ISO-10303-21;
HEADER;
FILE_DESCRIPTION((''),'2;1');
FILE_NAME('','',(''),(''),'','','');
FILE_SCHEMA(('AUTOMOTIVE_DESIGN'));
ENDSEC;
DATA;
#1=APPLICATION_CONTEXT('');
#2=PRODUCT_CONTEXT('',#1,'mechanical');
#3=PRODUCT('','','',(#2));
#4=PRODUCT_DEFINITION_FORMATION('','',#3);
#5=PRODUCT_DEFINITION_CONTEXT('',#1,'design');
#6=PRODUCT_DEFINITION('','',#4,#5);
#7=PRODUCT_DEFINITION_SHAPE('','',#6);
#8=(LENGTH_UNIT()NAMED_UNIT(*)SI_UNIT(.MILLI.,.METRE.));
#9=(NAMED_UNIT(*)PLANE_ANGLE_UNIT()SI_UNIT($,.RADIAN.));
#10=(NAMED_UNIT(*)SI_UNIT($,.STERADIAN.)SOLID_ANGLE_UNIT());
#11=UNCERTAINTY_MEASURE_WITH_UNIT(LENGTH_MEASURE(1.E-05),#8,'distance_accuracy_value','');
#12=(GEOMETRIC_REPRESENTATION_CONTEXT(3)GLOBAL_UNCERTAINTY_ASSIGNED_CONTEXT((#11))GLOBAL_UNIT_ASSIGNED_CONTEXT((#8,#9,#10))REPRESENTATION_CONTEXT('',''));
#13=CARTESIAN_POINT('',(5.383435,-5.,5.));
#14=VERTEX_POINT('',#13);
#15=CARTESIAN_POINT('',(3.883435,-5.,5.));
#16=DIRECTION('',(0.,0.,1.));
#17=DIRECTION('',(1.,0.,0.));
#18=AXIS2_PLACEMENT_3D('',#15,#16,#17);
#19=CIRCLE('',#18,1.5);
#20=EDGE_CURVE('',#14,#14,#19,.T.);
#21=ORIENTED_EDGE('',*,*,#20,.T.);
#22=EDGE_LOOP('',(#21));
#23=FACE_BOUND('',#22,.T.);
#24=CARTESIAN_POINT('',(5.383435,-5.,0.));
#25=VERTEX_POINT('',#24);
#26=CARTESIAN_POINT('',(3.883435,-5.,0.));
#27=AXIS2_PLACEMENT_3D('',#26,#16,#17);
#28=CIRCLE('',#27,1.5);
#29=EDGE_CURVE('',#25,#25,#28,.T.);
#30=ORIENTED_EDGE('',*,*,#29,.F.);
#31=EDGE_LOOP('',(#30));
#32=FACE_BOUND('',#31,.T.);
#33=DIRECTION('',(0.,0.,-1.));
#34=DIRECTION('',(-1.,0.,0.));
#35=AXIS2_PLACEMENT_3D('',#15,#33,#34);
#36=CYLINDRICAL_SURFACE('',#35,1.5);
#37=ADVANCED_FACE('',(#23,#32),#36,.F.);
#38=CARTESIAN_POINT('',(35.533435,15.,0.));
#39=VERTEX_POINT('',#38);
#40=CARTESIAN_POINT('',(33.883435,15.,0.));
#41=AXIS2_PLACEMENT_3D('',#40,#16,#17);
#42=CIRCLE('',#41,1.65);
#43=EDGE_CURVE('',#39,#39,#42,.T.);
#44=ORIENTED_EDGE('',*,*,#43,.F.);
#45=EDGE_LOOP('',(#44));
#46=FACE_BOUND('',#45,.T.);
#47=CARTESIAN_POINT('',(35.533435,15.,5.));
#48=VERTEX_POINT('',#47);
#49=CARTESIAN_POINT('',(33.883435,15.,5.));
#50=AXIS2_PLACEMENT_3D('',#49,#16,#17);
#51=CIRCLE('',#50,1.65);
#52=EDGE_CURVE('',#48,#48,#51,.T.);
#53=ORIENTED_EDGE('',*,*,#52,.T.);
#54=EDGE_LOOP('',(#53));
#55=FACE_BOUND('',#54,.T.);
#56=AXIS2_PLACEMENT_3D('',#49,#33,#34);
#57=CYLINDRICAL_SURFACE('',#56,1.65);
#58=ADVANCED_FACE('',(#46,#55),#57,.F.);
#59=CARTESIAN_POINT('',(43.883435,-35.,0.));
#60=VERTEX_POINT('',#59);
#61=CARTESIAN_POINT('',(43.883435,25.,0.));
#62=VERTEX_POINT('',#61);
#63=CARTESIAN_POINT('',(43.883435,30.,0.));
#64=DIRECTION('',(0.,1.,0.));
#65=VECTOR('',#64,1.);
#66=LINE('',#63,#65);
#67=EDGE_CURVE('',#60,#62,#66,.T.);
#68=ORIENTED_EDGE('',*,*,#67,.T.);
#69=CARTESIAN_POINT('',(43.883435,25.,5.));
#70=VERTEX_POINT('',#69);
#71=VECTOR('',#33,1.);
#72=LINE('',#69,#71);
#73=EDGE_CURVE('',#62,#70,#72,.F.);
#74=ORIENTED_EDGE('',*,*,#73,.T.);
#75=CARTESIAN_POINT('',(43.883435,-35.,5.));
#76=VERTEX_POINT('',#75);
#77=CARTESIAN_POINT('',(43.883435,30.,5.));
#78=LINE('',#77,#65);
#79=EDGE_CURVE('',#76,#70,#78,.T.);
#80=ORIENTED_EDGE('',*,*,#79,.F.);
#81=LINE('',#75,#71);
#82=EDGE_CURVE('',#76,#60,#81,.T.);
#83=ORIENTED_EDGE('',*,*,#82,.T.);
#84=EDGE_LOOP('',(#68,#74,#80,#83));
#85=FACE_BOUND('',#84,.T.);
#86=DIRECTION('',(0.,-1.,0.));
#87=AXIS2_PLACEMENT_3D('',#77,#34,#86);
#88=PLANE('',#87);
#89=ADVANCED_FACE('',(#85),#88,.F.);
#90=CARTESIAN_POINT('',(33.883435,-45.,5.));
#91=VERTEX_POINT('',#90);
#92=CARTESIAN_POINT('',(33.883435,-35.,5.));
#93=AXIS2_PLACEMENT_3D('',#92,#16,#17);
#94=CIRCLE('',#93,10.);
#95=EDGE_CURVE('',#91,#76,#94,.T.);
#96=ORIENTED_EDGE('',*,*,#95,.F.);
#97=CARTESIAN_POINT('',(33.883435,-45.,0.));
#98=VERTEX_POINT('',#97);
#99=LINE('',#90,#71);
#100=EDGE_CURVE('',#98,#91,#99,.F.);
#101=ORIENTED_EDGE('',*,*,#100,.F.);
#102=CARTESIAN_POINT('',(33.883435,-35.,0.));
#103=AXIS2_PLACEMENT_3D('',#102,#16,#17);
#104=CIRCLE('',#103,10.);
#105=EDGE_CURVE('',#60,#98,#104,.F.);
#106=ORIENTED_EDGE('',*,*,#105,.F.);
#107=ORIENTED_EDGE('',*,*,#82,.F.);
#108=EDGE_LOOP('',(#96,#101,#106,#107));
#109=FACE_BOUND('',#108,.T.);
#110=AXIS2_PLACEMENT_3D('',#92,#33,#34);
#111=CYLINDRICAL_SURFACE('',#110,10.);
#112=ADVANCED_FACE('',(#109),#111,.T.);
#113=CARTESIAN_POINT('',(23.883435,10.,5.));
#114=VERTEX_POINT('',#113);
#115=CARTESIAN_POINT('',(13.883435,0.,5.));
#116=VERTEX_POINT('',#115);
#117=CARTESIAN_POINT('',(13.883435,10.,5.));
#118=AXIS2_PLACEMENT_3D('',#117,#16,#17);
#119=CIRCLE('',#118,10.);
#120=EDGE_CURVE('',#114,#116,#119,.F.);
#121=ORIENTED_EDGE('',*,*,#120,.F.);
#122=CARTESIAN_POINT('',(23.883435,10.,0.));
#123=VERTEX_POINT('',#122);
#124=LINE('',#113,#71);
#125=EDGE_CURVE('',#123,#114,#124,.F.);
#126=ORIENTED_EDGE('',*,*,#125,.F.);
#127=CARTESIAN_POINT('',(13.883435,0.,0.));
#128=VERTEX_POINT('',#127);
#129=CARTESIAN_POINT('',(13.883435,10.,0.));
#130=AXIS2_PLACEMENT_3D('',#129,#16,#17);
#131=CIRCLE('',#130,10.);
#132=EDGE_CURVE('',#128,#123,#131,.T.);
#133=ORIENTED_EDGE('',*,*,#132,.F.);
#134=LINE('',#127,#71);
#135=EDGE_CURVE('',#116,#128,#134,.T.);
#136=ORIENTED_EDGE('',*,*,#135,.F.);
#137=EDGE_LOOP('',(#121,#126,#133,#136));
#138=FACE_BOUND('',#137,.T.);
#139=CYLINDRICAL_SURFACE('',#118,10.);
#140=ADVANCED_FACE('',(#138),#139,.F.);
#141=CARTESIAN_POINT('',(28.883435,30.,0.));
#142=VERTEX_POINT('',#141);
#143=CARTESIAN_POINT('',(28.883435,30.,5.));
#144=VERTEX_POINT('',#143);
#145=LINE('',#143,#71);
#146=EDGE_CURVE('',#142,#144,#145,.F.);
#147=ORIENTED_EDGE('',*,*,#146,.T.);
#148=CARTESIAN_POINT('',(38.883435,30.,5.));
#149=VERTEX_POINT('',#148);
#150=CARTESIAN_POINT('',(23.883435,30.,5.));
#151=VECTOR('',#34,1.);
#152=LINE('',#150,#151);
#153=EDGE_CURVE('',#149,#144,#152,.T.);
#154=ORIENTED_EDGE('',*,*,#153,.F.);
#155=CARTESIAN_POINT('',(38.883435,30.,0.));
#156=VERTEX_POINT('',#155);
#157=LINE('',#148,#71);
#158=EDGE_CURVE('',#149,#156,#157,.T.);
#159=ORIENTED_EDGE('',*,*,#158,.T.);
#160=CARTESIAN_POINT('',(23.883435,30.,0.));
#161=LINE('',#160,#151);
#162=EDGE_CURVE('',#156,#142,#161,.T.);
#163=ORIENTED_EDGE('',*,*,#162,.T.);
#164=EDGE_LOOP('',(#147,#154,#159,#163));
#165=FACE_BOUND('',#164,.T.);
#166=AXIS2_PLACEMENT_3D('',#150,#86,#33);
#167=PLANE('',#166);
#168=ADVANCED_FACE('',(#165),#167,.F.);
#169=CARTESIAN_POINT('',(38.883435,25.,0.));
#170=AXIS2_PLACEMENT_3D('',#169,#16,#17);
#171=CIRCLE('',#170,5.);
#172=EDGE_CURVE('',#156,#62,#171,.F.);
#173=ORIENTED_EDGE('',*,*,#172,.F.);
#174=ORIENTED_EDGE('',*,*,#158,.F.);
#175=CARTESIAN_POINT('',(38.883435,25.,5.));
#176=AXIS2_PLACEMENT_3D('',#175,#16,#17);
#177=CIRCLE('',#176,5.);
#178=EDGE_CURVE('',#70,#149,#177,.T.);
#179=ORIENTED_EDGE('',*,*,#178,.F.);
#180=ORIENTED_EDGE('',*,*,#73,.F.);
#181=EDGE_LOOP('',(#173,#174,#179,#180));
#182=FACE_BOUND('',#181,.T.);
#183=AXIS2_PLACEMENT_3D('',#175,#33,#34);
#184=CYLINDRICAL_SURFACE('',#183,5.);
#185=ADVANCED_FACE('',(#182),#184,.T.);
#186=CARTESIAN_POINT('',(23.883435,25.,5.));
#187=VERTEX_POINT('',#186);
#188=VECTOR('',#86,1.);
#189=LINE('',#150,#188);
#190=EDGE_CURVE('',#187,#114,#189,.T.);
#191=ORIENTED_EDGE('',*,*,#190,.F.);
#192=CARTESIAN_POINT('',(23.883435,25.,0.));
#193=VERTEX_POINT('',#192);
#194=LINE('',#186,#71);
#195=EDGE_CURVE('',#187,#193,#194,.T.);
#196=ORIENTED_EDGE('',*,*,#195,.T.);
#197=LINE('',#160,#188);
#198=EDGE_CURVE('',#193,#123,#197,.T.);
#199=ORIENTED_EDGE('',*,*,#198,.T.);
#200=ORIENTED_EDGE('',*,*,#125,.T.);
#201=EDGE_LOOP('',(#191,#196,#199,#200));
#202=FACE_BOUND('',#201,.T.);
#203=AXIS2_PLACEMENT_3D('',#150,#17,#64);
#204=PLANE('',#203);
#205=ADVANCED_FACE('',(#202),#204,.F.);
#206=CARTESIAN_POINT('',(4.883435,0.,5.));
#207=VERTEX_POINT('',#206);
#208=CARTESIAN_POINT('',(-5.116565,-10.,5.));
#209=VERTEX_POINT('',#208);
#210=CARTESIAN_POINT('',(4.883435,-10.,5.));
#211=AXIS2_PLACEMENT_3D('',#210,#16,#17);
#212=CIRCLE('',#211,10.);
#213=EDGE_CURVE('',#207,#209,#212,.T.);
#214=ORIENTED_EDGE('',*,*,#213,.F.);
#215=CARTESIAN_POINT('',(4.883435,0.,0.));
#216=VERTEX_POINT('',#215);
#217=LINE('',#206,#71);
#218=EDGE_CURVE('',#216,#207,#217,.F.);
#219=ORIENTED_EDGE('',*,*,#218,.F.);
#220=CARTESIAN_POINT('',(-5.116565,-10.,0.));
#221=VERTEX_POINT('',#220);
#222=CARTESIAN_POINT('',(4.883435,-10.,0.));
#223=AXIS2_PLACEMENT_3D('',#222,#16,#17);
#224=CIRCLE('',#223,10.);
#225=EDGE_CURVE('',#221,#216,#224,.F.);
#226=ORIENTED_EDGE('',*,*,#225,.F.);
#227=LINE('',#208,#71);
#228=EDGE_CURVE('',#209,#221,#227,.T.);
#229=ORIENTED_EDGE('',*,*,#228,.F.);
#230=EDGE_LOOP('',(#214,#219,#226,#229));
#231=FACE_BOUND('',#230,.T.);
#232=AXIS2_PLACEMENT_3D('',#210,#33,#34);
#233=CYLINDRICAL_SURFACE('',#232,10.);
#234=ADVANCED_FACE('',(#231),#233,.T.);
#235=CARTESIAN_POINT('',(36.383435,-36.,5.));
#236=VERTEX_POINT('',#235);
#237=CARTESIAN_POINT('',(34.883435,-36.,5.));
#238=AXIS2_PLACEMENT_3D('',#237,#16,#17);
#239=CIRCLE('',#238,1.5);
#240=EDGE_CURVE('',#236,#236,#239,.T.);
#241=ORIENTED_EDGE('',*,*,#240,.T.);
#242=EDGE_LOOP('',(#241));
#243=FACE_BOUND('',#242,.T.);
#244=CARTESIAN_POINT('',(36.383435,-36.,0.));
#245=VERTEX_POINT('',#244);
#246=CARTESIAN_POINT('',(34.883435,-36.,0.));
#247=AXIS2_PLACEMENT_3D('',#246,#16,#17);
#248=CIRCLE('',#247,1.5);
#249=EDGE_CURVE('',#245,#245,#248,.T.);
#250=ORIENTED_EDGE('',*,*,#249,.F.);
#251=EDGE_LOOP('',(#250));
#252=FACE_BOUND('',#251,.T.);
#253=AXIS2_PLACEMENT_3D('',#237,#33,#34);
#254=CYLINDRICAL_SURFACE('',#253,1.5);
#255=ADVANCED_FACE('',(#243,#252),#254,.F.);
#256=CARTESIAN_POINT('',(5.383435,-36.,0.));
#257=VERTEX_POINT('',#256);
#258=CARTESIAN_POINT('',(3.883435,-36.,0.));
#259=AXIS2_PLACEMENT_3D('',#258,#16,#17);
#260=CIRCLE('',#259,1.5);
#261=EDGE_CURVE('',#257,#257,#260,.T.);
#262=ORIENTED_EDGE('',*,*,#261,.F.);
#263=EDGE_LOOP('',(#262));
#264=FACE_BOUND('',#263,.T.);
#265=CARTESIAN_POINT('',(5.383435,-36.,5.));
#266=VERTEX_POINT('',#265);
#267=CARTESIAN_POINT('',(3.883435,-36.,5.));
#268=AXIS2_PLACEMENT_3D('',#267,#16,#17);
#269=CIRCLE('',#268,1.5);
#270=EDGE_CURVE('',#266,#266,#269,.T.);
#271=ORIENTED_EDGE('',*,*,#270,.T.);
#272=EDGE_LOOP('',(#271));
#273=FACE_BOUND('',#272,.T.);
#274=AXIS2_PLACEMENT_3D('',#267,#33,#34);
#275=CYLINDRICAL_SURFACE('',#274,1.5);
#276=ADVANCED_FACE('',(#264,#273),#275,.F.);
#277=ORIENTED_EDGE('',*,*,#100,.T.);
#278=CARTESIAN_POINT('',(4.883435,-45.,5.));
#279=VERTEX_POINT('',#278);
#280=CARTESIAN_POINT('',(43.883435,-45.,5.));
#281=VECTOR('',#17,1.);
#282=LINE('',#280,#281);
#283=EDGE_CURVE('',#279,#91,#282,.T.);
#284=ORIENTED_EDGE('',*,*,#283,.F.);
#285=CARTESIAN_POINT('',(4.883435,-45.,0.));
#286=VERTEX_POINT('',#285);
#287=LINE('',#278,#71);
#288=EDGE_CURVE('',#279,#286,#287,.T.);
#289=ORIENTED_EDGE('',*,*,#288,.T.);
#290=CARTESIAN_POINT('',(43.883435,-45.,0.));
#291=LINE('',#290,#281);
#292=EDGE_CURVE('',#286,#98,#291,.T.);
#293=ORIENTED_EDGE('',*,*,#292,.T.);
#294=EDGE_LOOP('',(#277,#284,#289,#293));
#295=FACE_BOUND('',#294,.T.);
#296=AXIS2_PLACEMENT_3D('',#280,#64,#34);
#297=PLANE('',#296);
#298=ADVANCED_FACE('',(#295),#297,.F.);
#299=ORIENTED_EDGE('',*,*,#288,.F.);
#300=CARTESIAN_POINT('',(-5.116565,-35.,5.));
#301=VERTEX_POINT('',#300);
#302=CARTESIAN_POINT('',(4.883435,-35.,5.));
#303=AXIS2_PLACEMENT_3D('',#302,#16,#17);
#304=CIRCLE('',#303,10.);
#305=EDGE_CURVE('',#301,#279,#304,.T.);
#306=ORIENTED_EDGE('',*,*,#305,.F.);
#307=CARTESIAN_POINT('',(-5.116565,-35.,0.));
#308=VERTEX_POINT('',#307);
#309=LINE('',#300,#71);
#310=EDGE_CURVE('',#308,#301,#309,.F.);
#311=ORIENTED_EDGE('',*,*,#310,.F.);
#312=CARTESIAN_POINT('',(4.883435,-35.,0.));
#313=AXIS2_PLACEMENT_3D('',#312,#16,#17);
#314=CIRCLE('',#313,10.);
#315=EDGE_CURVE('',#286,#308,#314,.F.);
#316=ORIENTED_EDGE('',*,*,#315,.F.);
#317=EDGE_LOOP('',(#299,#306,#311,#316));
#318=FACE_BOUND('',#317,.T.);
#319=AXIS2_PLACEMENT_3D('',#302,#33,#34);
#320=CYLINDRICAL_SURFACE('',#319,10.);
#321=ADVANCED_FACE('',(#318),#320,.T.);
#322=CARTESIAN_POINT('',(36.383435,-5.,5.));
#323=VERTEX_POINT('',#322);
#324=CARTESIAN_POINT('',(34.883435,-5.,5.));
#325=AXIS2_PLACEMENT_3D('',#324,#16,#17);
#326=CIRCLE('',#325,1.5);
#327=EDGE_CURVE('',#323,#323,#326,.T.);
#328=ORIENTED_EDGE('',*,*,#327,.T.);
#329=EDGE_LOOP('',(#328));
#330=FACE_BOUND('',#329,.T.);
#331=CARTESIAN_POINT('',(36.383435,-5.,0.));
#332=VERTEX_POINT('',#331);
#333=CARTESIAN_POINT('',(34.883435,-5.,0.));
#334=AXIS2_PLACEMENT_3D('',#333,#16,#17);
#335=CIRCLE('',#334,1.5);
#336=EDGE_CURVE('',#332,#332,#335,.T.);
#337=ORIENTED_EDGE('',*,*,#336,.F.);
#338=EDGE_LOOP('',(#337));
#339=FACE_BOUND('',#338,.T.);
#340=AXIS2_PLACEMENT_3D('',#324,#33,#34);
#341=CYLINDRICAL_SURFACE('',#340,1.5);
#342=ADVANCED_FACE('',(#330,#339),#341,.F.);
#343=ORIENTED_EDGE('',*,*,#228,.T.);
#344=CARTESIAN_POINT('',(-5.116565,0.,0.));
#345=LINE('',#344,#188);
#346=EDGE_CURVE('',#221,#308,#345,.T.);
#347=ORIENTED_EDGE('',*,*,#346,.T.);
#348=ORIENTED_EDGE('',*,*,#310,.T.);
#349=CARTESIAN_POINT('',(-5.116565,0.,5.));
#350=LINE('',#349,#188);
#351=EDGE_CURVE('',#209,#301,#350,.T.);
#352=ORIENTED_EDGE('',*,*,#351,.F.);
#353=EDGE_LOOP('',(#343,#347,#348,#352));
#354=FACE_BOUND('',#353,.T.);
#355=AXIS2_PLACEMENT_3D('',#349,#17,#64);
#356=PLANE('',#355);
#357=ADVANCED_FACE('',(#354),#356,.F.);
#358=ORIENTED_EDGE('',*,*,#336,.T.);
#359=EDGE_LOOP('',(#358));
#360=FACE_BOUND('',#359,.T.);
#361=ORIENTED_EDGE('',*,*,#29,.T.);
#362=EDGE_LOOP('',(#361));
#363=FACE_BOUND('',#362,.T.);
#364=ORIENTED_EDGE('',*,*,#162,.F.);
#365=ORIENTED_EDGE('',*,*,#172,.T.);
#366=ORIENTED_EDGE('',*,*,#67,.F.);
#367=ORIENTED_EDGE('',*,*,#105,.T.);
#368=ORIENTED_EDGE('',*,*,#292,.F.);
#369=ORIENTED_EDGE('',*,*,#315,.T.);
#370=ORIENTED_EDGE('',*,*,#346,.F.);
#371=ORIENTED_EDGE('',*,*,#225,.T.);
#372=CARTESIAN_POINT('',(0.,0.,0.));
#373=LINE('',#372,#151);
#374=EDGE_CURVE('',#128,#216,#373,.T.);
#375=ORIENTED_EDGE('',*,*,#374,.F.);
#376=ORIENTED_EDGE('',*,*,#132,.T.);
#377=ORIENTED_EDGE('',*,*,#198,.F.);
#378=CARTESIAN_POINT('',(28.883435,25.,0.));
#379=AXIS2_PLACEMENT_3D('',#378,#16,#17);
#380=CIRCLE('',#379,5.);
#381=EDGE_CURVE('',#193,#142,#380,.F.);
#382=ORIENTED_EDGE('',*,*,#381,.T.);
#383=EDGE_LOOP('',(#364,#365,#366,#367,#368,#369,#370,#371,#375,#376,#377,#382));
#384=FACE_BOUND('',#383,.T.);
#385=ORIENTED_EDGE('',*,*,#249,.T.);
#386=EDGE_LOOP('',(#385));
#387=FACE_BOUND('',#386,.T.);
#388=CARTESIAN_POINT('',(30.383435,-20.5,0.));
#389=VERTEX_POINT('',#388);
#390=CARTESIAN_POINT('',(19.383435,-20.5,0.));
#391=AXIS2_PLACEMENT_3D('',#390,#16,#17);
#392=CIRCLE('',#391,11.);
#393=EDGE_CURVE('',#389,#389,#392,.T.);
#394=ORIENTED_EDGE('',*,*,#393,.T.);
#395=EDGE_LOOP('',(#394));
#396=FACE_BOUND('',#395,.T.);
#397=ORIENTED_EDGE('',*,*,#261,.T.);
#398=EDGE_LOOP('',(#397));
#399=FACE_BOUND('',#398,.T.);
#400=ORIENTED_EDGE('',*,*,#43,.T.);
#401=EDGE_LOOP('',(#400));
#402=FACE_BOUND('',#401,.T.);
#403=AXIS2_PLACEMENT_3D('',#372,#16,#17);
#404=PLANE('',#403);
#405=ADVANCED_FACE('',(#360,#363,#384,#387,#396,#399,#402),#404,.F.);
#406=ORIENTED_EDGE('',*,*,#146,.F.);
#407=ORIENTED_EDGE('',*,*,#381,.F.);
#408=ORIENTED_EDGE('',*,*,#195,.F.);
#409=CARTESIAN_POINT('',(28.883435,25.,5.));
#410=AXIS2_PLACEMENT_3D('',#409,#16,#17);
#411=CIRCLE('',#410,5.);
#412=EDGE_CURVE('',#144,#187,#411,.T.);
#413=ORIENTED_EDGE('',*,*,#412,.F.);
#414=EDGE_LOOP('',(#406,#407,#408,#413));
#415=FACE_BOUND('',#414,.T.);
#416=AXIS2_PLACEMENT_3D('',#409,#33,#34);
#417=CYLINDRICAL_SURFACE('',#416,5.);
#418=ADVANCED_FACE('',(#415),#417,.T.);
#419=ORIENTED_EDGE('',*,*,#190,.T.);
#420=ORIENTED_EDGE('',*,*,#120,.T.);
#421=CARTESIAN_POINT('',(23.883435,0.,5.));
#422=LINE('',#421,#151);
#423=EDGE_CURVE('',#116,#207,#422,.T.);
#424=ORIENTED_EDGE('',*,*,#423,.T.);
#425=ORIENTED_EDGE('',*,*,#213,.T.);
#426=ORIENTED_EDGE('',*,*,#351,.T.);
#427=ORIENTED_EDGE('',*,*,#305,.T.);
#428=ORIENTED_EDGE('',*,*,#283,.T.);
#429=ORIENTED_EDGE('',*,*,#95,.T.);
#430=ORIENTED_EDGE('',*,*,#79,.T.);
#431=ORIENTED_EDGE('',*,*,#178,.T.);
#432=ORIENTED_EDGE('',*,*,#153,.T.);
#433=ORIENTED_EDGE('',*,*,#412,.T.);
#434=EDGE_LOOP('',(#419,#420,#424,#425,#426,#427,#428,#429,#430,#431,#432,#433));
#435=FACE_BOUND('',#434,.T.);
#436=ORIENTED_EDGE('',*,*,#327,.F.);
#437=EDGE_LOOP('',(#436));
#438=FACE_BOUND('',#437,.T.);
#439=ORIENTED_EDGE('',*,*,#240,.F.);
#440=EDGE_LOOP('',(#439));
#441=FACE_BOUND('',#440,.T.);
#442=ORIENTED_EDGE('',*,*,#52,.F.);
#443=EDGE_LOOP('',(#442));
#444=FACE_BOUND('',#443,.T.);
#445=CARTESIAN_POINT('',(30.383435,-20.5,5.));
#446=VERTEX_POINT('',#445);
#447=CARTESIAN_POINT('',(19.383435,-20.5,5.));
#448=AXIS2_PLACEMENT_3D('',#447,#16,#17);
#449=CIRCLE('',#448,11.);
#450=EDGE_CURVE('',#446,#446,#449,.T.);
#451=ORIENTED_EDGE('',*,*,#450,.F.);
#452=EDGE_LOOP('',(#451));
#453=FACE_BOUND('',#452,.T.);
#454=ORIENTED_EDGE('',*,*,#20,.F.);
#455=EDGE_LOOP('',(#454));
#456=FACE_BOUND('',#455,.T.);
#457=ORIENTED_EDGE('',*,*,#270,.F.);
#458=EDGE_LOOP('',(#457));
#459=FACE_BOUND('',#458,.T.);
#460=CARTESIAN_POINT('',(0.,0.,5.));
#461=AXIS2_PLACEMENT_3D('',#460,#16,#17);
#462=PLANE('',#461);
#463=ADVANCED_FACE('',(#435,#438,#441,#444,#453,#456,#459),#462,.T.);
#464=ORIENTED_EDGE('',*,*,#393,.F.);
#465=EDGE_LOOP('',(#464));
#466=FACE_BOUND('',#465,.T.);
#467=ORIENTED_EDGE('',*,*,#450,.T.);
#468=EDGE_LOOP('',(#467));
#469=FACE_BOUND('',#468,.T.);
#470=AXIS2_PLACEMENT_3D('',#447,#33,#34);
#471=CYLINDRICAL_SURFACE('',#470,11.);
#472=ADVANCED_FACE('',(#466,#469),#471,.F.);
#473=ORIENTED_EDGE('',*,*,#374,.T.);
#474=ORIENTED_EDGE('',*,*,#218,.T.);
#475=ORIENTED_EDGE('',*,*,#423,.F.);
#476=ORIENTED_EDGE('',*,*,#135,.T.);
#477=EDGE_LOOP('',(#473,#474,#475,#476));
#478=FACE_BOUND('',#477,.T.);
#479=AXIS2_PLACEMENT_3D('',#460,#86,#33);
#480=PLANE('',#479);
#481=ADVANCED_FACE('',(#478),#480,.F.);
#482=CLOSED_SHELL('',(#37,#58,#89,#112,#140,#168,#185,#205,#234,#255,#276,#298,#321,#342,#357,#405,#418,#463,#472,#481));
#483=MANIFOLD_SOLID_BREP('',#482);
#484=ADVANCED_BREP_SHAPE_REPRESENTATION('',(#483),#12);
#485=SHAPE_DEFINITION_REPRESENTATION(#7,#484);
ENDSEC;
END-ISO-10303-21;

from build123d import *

# Parameters (mm, degrees)
SKETCH1_R           = 1.5
SKETCH1_R_2         = 11
SKETCH1_R_3         = 1.65
BOSS_EXTRUDE1_DEPTH = 5
FILLET1_R           = 10
FILLET2_R           = 5


with BuildPart() as part:
    # Sketch1 → Boss-Extrude1 (new body)
    with BuildSketch(Plane.XY):
        Polygon((23.883435073, 30), (43.883435073, 30), (43.883435073, -45), (-5.116564927, -45), (-5.116564927, 0), (0, 0), (23.883435073, 0), align=None)
        with Locations((3.883435073, -5)):
            Circle(SKETCH1_R, mode=Mode.SUBTRACT)
        with Locations((34.883435073, -5)):
            Circle(SKETCH1_R, mode=Mode.SUBTRACT)
        with Locations((3.883435073, -36)):
            Circle(SKETCH1_R, mode=Mode.SUBTRACT)
        with Locations((34.883435073, -36)):
            Circle(SKETCH1_R, mode=Mode.SUBTRACT)
        with Locations((19.383435073, -20.5)):
            Circle(SKETCH1_R_2, mode=Mode.SUBTRACT)
        with Locations((33.883435073, 15)):
            Circle(SKETCH1_R_3, mode=Mode.SUBTRACT)
    extrude(amount=BOSS_EXTRUDE1_DEPTH)

    # Fillet1
    fillet1_edges = [part.edges().sort_by_distance(p)[0] for p in [
        (23.883435073, 0, 2.5),
        (43.883435073, -45, 2.5),
        (-5.116564927, -45, 2.5),
        (-5.116564927, 0, 2.5),
    ]]
    fillet(fillet1_edges, radius=FILLET1_R)

    # Fillet2
    fillet2_edges = [part.edges().sort_by_distance(p)[0] for p in [
        (23.883435073, 30, 2.5),
        (43.883435073, 30, 2.5),
    ]]
    fillet(fillet2_edges, radius=FILLET2_R)


solid = part.part
